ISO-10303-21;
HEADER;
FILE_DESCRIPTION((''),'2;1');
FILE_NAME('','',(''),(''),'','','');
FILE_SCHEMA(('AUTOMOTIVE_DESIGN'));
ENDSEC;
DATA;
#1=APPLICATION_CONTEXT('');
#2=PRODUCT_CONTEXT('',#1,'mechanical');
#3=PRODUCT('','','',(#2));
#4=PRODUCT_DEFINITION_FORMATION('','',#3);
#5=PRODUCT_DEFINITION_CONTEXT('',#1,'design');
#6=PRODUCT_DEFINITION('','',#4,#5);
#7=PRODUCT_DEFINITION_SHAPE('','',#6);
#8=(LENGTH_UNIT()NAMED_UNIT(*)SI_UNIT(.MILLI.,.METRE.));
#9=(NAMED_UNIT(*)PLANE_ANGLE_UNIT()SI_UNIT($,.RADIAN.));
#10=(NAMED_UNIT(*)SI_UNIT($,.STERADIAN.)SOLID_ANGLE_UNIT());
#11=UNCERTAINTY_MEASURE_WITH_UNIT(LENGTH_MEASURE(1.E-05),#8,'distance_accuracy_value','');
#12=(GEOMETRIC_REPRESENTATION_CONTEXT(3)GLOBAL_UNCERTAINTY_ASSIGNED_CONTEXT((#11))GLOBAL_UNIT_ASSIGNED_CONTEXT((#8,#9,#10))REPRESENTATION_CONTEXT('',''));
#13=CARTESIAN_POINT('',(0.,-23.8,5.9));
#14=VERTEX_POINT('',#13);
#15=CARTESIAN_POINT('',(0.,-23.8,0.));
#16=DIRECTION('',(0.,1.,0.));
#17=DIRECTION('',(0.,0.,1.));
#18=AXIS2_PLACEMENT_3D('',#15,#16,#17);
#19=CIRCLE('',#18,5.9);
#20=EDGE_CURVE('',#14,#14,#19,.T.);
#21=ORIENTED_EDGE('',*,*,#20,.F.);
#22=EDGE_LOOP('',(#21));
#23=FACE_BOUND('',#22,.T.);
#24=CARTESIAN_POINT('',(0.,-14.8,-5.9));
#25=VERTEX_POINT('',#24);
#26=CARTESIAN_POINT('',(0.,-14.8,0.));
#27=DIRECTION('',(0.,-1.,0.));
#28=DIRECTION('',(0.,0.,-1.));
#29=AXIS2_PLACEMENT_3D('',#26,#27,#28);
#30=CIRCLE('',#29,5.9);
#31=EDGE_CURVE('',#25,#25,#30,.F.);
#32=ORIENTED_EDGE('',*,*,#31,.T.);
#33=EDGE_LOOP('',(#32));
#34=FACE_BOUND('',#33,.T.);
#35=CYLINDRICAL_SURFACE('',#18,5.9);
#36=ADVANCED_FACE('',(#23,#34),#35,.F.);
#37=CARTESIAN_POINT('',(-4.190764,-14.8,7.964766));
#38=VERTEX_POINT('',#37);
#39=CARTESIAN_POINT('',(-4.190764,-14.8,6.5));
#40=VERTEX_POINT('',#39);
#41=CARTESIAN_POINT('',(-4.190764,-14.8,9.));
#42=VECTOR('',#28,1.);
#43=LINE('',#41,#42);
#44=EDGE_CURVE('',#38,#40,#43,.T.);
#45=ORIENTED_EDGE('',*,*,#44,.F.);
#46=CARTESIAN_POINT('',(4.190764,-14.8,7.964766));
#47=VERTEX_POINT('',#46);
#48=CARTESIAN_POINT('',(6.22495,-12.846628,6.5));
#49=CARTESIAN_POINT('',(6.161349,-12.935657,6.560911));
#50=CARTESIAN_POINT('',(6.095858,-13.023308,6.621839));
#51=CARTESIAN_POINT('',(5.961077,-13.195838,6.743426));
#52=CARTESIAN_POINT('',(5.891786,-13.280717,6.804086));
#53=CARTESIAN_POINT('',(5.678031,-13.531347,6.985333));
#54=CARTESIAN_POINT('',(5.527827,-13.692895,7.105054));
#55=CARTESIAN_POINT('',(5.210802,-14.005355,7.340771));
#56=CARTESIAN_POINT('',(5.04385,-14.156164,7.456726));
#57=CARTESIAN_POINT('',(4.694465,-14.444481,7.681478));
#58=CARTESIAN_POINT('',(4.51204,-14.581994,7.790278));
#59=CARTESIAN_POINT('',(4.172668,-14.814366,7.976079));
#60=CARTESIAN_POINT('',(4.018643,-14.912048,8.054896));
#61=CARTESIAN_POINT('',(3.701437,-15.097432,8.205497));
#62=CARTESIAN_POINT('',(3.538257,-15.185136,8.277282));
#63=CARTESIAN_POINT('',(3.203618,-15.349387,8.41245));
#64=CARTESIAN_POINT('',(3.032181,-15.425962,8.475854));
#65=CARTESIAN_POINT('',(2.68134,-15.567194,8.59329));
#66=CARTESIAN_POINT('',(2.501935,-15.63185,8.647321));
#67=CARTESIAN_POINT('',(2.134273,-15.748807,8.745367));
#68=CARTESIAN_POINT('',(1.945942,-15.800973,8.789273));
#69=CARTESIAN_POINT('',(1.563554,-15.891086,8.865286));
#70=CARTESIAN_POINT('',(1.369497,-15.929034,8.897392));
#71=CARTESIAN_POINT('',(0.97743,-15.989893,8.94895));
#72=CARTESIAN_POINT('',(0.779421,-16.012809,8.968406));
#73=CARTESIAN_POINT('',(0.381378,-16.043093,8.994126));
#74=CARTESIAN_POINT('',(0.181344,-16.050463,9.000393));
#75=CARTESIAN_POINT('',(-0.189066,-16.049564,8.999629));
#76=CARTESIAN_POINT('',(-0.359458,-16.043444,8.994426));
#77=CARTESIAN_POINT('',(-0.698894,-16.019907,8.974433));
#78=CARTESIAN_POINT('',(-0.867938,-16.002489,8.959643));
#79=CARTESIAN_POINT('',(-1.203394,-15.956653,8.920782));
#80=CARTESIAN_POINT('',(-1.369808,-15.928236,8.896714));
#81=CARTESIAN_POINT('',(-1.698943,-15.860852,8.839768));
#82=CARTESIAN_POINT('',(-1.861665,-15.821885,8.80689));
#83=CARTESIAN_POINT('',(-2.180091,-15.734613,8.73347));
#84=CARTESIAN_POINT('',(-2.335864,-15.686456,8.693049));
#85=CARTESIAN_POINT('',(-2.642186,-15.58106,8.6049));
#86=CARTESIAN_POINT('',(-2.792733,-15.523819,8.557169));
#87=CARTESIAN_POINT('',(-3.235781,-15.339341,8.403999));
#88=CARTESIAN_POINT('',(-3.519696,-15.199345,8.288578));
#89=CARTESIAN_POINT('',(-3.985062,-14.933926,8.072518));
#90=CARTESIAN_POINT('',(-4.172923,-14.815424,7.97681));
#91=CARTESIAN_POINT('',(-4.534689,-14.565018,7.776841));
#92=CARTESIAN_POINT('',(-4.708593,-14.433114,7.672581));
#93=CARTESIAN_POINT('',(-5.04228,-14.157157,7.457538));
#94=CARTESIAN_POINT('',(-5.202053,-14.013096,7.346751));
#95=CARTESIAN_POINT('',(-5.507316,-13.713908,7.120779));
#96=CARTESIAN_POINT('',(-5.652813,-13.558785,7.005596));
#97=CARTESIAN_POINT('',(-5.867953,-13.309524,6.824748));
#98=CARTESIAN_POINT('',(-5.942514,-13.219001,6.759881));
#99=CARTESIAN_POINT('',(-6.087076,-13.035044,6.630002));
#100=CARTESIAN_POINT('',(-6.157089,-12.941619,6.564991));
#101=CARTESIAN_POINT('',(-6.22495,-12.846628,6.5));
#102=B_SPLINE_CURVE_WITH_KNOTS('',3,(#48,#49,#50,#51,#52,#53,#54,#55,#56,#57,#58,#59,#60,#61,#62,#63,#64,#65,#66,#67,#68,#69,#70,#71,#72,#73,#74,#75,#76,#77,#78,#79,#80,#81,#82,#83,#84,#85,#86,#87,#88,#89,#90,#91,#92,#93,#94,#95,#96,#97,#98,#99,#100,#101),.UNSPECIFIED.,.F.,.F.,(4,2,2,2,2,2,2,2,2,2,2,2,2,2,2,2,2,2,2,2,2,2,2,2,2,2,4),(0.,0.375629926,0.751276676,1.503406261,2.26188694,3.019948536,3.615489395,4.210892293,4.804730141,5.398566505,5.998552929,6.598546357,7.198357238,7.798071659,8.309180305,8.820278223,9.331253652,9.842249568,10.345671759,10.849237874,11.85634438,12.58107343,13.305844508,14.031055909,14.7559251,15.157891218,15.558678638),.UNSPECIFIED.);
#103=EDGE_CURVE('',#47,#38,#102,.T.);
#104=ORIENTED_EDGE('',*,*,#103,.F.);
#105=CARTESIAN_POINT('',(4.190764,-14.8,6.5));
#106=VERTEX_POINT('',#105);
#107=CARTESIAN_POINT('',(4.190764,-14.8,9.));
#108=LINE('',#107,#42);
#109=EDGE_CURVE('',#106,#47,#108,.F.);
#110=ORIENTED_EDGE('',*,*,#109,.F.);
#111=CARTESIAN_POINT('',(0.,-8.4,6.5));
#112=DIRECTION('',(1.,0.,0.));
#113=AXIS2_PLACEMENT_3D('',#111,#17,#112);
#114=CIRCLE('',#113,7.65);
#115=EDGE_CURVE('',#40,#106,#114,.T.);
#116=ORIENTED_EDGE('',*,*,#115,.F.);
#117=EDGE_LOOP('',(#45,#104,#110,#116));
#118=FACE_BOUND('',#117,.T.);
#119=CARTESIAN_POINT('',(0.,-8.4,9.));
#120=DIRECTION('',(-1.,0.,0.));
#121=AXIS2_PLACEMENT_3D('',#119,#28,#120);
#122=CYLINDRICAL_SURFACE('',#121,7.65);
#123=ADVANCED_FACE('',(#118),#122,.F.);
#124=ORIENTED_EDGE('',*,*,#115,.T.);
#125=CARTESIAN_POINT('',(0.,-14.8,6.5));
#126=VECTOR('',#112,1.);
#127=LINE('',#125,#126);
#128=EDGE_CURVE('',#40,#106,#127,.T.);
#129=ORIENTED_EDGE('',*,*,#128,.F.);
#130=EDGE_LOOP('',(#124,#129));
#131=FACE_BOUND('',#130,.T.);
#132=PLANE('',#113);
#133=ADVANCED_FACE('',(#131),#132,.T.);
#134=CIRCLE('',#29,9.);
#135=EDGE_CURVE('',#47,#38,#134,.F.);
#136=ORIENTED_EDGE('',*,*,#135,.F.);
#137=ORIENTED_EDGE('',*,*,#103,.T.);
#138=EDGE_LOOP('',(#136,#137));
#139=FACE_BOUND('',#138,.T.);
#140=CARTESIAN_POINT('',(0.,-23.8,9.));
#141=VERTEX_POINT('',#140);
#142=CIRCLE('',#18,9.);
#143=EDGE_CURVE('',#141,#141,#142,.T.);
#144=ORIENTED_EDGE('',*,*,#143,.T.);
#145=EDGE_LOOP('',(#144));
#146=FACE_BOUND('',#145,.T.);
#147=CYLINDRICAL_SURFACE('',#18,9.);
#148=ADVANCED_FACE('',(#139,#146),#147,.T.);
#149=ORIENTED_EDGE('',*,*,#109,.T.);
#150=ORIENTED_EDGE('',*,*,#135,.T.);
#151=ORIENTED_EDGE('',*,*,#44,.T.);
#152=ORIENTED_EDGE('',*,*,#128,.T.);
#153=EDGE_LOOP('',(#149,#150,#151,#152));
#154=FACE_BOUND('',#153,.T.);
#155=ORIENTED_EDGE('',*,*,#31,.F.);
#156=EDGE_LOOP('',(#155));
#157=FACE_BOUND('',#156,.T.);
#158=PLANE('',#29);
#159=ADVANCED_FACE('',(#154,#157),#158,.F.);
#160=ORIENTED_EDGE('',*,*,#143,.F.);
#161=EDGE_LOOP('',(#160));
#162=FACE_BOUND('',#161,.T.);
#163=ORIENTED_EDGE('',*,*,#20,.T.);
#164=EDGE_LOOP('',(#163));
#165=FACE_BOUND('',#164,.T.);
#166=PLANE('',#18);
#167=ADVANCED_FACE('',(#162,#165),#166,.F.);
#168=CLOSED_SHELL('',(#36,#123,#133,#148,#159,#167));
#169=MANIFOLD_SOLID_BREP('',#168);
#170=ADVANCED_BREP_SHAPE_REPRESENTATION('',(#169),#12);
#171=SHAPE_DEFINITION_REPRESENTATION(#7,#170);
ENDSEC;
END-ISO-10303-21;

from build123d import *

# Parameters (mm, degrees)
SKETCH1_R               = 9
SKETCH1_R_2             = 5.9
BOSS_EXTRUDE1_DEPTH     = 23.8
CUT_EXTRUDE5_START      = 6.5
SKETCH3_R               = 7.65
CUT_EXTRUDE5_DEPTH      = 21.489627637
CUT_EXTRUDE6_DEPTH      = 30.7941271
CUT_EXTRUDE6_DEPTH_BACK = 7
SKETCH6_R               = 5.5
SKETCH7_R               = 13.484313598
CUT_EXTRUDE7_DEPTH      = 20.520246068


with BuildPart() as part:
    # Sketch1 → Boss-Extrude1 (new body)
    with BuildSketch(Plane(origin=(0, 0, 0), x_dir=(1, 0, 0), z_dir=(0, 1, 0))):
        with Locations(Location((0, 0, 0), (0, 0, 270))):
            Circle(SKETCH1_R)
        with Locations(Location((0, 0, 0), (0, 0, 270))):
            Circle(SKETCH1_R_2, mode=Mode.SUBTRACT)
    extrude(amount=-BOSS_EXTRUDE1_DEPTH)

    # Sketch3 → Cut-Extrude5 (cut, through all)
    with BuildSketch(Plane.XY.offset(CUT_EXTRUDE5_START)):
        with Locations((0, -8.4)):
            Circle(SKETCH3_R)
    extrude(amount=CUT_EXTRUDE5_DEPTH, mode=Mode.SUBTRACT)

    # Sketch6 → Cut-Extrude6 (cut, two sides: drawn at the far end of the back side and taken through both)
    with BuildSketch(Plane.XY.offset(6.5).offset(-CUT_EXTRUDE6_DEPTH_BACK)):
        with Locations(Location((0.145476138, -8.4, 0), (0, 0, 91.515662264))):
            Circle(SKETCH6_R)
    extrude(amount=CUT_EXTRUDE6_DEPTH + CUT_EXTRUDE6_DEPTH_BACK, mode=Mode.SUBTRACT)

    # Sketch7 → Cut-Extrude7 (cut, through all)
    with BuildSketch(Plane(origin=(0, -14.8, 0), x_dir=(-1, 0, 0), z_dir=(0, -1, 0))):
        Circle(SKETCH7_R)
    extrude(amount=-CUT_EXTRUDE7_DEPTH, mode=Mode.SUBTRACT)


solid = part.part
